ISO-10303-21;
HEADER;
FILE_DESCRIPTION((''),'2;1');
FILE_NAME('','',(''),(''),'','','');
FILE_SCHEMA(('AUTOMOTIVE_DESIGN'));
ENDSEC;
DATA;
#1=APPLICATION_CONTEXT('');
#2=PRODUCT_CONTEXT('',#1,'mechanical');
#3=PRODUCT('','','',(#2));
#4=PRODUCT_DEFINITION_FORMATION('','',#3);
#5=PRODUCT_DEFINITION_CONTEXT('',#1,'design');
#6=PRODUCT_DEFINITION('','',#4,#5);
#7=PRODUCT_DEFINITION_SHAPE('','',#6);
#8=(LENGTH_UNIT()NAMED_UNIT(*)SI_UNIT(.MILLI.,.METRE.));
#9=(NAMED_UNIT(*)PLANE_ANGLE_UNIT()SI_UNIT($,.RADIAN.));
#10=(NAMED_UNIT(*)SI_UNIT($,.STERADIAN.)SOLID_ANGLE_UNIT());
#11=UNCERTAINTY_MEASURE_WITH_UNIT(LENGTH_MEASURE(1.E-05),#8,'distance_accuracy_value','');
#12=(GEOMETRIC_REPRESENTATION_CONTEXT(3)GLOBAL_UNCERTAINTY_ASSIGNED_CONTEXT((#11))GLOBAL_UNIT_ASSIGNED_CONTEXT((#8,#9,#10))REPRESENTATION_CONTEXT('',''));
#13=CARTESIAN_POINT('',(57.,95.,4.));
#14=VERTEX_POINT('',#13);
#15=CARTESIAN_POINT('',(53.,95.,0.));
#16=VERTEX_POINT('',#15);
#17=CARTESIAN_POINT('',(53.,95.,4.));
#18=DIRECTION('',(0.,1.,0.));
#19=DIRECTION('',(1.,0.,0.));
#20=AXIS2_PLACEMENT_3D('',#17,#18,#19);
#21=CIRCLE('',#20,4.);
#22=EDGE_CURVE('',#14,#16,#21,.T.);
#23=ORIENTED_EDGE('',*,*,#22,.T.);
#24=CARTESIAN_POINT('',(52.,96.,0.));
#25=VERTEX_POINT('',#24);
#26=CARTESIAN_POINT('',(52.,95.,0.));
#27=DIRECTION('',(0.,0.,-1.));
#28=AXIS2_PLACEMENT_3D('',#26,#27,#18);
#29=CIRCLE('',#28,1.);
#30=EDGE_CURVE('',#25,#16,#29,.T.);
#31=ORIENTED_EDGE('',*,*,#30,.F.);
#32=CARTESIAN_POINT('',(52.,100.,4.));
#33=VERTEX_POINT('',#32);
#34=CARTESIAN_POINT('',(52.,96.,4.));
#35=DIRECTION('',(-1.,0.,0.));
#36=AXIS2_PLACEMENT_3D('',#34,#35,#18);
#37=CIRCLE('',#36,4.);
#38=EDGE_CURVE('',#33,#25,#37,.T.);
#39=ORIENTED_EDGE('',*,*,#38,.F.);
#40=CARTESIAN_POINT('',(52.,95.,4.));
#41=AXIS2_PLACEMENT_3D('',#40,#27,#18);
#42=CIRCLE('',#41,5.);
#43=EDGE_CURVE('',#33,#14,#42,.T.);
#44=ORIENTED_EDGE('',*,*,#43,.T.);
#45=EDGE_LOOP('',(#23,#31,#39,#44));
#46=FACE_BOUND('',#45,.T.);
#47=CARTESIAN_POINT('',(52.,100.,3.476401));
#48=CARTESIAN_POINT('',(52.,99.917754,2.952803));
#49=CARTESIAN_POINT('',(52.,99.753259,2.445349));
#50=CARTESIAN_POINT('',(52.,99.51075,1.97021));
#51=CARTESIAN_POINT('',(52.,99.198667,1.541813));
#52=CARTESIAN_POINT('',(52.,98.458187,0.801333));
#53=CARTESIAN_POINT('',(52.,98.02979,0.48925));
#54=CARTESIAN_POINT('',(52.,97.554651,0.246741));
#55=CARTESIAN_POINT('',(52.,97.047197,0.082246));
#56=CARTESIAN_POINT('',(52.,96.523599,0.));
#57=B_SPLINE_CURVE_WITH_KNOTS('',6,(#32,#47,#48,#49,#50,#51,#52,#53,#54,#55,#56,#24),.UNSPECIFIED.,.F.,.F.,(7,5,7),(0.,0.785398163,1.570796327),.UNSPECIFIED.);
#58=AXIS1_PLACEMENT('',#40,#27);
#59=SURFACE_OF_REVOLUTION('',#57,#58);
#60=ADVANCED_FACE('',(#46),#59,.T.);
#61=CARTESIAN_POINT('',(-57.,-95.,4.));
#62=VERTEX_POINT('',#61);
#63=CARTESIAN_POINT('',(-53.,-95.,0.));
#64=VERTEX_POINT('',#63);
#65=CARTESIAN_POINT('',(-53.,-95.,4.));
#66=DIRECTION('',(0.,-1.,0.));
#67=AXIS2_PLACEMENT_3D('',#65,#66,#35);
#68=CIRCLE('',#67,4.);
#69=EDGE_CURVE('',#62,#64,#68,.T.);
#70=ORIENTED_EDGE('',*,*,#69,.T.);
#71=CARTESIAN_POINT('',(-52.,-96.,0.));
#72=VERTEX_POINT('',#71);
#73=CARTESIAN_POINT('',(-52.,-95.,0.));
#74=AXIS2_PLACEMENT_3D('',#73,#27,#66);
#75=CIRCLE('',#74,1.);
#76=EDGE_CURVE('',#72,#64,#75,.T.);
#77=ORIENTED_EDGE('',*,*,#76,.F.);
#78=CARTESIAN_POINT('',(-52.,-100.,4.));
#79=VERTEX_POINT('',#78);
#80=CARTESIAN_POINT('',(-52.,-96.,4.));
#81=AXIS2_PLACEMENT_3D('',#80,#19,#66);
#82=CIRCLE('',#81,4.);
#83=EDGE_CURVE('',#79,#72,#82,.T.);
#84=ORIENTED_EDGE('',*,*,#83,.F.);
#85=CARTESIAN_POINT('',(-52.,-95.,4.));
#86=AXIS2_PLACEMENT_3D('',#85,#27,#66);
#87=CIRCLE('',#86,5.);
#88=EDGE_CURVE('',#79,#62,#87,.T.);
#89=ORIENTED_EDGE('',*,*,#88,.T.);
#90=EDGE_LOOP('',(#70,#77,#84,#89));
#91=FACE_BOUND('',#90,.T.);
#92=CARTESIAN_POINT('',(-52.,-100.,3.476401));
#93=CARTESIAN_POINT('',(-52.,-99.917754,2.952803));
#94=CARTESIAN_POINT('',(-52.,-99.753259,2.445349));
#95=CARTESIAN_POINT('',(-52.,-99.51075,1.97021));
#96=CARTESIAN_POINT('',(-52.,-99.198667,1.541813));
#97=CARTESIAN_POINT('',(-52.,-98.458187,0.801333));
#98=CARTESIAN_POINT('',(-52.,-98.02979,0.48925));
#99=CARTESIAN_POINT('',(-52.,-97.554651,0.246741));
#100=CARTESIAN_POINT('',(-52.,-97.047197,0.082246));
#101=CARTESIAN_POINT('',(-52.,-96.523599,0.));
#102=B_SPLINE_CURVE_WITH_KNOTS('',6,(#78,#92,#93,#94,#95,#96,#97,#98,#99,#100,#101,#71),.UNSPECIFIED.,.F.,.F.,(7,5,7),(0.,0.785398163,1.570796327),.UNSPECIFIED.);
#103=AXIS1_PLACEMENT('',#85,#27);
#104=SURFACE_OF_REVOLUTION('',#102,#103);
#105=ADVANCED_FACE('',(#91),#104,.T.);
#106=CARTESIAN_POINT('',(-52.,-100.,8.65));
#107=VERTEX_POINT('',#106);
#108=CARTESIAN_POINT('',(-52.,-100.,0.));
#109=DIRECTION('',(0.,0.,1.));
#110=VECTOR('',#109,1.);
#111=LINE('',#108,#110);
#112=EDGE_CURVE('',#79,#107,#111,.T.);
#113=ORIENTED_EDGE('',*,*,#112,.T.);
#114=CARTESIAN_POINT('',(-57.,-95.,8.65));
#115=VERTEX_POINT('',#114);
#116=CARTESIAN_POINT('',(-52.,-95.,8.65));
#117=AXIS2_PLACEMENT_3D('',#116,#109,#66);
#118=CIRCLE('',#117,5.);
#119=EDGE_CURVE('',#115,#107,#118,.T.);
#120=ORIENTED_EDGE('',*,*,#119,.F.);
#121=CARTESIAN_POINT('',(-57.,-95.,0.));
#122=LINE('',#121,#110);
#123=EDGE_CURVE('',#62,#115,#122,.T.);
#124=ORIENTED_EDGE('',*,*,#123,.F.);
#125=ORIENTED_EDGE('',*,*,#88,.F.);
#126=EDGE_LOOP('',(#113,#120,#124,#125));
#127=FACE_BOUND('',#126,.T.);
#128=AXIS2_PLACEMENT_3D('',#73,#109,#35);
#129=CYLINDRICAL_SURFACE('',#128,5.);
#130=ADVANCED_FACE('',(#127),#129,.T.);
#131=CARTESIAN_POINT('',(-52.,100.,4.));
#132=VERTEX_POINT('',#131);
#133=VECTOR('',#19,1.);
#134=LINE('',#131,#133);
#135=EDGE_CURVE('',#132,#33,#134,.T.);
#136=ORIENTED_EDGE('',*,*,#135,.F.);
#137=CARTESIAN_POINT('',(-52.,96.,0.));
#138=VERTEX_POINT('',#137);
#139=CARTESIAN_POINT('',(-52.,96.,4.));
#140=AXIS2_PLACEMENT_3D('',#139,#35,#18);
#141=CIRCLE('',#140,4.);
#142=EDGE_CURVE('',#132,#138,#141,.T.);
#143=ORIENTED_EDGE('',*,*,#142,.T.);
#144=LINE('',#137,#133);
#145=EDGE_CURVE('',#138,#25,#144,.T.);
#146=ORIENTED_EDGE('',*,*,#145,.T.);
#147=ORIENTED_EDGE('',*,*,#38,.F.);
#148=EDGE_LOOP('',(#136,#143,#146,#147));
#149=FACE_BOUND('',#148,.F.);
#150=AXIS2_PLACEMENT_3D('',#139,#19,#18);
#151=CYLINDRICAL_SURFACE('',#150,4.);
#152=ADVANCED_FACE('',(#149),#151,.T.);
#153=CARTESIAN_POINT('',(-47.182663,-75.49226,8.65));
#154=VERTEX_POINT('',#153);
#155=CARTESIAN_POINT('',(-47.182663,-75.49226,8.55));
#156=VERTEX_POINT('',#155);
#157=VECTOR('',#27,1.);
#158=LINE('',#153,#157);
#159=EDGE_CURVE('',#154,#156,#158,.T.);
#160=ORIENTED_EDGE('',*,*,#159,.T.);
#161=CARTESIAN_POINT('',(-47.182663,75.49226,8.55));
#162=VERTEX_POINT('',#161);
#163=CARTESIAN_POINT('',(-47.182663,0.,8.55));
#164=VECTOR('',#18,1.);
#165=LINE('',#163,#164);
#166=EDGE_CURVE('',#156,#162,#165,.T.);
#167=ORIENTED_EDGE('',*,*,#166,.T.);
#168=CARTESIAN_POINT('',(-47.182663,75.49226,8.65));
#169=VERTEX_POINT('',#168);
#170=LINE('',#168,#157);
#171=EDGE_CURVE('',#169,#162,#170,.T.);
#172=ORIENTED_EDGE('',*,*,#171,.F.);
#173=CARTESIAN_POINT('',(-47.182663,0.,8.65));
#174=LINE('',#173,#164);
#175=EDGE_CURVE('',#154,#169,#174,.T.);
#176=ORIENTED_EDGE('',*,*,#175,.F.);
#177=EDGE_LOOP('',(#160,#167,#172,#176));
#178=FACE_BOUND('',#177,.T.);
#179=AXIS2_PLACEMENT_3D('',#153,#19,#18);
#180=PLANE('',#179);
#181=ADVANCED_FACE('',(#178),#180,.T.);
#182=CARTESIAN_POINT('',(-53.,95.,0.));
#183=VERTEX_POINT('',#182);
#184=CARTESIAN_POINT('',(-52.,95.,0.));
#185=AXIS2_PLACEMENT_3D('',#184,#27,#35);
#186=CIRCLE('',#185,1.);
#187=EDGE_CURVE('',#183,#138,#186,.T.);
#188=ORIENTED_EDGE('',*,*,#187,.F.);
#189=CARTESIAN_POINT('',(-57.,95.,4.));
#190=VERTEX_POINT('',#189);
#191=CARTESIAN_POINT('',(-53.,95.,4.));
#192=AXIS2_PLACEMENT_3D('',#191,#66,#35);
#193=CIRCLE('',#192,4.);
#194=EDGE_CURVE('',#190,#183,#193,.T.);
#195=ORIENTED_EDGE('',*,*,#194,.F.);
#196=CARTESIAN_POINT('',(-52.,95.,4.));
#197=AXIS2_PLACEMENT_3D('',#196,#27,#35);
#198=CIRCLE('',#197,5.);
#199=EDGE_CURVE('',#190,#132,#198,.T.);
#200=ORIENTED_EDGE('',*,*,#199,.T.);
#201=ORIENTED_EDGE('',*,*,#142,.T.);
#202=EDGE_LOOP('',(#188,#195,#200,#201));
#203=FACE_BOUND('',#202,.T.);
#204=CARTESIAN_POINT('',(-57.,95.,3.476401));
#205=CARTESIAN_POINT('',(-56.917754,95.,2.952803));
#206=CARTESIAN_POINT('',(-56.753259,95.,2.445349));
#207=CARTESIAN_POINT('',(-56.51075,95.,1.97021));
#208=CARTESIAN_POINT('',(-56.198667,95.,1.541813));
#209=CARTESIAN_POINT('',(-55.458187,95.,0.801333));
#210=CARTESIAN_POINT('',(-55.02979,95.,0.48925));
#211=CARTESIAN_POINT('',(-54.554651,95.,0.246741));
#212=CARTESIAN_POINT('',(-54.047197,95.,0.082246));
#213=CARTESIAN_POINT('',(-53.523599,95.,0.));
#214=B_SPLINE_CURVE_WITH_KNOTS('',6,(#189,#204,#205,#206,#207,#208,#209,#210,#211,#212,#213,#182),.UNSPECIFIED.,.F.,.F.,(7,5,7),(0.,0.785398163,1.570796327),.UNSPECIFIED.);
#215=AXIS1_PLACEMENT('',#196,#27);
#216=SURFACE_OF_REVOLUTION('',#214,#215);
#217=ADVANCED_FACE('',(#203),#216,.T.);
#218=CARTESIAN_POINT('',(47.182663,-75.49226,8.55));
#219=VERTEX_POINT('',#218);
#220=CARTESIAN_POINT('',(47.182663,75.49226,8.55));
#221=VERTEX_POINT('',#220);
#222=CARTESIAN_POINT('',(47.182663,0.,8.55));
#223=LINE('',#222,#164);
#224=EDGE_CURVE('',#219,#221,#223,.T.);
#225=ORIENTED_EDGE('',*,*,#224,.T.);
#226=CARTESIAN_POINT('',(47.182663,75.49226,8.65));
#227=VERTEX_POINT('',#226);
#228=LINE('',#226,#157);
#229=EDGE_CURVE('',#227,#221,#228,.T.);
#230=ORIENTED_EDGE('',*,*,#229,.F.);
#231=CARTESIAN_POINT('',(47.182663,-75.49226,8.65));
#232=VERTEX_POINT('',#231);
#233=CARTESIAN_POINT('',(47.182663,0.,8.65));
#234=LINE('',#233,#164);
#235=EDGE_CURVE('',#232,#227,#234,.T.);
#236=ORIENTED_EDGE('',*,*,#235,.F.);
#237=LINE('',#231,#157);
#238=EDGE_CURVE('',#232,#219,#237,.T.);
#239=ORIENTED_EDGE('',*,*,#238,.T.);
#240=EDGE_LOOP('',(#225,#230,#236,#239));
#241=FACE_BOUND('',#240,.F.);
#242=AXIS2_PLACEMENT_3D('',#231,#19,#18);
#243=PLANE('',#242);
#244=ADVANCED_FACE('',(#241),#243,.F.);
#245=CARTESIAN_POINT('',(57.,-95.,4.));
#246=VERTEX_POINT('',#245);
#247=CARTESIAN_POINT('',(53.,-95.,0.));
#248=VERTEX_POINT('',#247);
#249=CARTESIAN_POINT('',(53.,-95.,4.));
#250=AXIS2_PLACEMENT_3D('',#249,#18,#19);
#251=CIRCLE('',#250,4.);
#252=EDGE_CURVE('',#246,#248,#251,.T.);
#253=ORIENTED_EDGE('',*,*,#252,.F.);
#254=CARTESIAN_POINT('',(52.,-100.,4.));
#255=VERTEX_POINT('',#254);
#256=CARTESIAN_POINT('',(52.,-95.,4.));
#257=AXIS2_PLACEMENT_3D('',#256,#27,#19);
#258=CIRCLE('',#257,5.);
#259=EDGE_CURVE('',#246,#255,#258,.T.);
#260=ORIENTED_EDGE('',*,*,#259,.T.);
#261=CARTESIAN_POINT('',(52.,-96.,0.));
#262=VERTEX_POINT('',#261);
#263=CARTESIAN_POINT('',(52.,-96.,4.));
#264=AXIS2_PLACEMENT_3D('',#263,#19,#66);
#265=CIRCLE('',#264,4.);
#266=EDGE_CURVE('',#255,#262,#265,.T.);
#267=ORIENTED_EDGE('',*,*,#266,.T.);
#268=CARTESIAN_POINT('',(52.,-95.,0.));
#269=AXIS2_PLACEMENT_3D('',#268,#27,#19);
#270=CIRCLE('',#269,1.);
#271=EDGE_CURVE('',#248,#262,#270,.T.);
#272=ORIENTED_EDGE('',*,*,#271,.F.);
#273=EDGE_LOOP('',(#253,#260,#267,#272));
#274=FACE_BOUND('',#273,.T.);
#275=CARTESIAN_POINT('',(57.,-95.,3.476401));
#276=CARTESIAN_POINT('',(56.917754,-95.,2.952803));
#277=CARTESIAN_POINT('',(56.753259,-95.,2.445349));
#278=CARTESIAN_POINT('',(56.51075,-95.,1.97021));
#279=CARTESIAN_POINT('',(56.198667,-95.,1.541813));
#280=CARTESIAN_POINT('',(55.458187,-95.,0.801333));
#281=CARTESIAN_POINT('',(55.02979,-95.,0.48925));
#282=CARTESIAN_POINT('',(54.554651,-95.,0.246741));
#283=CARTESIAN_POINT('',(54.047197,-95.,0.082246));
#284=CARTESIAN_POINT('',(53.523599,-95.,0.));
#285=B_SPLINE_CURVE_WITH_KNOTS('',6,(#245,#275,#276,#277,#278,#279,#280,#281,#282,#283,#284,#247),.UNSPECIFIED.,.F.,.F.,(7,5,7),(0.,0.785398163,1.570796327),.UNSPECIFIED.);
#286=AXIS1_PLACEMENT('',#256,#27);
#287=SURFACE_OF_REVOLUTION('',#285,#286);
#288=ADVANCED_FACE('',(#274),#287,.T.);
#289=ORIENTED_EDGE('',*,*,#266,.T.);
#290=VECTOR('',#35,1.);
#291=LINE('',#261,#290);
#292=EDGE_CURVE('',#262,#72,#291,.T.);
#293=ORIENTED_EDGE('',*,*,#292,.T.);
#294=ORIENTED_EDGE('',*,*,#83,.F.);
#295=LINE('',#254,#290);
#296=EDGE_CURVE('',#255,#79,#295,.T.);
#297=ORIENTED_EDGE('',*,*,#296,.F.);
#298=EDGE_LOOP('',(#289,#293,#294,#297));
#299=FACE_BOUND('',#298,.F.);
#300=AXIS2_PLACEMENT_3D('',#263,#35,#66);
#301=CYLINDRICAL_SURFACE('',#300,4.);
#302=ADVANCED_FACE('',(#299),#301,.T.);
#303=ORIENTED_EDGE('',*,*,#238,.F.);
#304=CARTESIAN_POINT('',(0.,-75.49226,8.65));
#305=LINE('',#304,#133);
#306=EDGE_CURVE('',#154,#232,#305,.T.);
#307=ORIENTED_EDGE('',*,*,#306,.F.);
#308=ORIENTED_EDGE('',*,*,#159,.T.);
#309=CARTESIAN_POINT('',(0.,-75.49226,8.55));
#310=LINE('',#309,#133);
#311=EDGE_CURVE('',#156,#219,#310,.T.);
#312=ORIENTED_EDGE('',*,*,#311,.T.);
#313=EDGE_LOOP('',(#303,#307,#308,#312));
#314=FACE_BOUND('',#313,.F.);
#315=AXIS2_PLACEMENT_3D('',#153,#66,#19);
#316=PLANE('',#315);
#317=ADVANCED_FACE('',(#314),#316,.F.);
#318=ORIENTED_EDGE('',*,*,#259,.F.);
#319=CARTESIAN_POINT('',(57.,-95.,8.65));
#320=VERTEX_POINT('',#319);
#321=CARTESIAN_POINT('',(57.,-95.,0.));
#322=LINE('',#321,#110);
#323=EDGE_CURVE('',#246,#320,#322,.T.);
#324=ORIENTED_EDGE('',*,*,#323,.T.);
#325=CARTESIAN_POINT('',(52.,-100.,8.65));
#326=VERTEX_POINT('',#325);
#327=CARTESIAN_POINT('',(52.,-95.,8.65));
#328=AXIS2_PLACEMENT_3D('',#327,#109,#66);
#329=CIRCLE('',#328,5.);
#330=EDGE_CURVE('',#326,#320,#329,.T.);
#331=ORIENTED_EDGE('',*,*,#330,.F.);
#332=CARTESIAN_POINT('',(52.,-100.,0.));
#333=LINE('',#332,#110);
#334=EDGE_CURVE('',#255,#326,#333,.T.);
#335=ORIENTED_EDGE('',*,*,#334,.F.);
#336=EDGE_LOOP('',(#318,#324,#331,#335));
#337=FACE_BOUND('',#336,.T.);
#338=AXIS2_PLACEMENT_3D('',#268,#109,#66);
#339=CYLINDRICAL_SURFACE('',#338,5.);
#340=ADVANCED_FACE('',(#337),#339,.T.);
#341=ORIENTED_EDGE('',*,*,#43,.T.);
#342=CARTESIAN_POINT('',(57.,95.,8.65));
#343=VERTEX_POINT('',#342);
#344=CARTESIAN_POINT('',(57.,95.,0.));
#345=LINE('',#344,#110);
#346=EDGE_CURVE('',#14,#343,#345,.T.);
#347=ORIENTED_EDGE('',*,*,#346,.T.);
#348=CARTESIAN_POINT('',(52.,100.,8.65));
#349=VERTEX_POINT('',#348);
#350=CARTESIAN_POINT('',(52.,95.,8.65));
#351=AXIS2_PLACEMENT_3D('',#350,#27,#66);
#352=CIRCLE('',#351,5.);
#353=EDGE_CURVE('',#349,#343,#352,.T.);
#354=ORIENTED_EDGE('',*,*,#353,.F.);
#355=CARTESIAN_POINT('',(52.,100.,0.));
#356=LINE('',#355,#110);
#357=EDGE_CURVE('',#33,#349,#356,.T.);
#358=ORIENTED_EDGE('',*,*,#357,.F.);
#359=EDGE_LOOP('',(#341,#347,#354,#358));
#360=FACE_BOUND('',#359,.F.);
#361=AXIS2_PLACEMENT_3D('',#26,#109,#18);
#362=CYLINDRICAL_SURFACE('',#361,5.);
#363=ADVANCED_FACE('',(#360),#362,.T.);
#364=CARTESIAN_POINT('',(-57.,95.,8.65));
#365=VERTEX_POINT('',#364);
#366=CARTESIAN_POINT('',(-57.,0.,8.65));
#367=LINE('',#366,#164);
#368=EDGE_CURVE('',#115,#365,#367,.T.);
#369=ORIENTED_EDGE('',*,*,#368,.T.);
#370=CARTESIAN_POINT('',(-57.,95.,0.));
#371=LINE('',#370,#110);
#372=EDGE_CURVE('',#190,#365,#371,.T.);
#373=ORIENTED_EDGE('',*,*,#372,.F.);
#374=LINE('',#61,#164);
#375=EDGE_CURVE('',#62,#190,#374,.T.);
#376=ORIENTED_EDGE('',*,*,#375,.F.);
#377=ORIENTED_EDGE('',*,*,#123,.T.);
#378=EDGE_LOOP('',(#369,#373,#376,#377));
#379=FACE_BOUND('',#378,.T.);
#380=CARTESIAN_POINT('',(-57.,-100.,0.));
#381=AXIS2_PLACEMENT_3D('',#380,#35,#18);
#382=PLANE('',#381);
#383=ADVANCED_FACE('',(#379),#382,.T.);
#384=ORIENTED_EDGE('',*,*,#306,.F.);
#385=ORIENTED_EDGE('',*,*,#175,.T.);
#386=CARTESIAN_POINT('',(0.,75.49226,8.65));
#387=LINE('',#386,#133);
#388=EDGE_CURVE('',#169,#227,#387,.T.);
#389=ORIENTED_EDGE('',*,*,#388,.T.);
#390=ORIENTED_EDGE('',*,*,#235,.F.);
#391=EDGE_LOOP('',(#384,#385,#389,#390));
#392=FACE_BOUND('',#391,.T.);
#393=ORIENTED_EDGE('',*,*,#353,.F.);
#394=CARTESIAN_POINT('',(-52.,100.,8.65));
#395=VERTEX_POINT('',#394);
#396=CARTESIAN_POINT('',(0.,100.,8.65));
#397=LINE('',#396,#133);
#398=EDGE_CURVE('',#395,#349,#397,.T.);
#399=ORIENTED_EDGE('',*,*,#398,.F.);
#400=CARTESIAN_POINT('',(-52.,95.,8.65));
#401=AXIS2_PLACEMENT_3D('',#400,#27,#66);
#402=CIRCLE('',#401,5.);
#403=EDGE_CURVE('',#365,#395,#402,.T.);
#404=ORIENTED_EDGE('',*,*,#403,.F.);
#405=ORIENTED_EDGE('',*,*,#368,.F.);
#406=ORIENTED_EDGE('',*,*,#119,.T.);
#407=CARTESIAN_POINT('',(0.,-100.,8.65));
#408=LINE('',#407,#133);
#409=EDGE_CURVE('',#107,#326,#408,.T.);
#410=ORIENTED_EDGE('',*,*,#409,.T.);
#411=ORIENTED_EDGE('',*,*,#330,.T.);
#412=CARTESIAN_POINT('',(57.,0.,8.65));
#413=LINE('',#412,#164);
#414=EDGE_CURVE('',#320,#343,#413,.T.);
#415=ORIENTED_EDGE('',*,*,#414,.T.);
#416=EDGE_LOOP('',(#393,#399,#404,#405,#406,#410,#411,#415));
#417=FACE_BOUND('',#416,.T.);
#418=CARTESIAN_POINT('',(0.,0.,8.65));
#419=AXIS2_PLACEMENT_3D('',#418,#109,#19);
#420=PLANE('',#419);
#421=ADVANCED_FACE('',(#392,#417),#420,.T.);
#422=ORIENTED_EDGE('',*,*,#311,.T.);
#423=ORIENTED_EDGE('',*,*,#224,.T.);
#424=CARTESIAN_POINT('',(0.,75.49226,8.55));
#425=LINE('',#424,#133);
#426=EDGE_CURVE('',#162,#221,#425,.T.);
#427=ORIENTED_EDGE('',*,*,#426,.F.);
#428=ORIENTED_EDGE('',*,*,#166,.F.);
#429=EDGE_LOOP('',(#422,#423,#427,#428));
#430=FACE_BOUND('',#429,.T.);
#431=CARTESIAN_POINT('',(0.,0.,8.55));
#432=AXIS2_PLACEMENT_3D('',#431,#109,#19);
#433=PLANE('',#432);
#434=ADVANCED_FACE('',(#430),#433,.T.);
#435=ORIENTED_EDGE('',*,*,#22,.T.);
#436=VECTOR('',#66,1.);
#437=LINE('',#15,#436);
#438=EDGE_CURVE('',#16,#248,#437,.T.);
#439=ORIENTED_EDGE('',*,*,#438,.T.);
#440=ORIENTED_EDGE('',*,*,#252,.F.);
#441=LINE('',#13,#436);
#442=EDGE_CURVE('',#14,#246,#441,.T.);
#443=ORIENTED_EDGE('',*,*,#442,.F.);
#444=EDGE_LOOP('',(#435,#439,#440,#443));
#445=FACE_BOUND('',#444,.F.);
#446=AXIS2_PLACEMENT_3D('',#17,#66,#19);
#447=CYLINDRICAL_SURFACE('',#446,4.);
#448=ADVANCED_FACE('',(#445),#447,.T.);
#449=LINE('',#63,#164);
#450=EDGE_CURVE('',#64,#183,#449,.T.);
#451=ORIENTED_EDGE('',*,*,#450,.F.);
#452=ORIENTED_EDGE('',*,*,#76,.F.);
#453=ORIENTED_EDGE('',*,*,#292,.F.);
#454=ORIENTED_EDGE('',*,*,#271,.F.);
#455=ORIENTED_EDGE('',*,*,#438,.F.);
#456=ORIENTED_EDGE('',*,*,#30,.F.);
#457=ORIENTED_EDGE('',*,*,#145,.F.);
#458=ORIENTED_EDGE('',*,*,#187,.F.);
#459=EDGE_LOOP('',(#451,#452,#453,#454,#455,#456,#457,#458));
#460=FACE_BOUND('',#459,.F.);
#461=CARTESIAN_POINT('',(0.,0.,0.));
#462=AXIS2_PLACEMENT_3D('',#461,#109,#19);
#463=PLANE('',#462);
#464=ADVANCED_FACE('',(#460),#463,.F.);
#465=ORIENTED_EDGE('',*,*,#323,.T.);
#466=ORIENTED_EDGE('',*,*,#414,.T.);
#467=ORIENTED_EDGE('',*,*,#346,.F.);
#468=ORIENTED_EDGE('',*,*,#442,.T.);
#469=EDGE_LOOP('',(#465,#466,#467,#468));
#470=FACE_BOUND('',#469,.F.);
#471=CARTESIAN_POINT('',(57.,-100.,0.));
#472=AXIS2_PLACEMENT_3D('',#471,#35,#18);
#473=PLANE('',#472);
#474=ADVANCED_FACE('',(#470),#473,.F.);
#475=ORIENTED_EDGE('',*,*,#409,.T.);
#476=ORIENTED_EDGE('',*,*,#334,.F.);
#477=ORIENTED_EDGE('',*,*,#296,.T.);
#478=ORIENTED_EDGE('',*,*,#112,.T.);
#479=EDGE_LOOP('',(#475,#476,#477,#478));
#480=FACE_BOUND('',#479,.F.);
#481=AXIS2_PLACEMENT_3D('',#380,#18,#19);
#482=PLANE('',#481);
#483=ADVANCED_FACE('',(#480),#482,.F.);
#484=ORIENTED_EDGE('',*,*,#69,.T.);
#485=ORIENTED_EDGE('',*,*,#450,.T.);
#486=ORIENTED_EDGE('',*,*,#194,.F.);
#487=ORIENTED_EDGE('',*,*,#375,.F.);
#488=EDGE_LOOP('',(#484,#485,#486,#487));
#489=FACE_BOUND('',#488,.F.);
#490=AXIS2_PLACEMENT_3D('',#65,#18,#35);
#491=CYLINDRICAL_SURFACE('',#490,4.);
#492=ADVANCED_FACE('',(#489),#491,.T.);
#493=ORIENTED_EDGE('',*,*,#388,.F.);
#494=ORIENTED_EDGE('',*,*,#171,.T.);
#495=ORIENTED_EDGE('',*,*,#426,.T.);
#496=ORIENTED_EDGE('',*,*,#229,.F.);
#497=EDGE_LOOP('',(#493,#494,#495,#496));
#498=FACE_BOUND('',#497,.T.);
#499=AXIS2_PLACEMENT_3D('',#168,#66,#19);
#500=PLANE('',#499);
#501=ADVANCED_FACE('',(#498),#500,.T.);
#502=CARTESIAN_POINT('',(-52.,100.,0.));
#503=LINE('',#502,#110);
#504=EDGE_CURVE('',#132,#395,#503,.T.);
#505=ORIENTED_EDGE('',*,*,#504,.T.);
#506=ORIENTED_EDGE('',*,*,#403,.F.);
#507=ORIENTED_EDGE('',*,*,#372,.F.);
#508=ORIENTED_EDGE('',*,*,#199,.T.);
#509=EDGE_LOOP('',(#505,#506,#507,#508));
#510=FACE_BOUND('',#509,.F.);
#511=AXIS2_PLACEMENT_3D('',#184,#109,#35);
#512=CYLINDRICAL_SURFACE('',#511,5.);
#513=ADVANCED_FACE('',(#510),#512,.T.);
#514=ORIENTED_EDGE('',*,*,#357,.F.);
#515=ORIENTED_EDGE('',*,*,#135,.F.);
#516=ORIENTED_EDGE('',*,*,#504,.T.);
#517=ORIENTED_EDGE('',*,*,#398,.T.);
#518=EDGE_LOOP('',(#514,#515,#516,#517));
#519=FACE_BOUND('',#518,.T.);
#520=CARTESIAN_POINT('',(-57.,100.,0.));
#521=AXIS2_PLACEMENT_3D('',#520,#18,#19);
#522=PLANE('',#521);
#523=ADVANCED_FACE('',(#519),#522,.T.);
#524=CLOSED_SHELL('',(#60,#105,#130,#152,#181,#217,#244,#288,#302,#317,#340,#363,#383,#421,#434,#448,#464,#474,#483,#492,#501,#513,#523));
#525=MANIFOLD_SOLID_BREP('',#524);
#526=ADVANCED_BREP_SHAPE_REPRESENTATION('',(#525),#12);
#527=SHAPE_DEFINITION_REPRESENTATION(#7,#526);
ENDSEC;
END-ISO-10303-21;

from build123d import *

# Parameters (mm, degrees)
F1_W     = 114
F1_H     = 200
F2_DEPTH = 8.65
F3_W     = 94.3653250774
F3_H     = 150.9845201238
F4_DEPTH = 0.1
F5_R     = 5
F6_R     = 4


with BuildPart() as f2:
    # F1 (on Top) → F2 (new body)
    with BuildSketch(Plane.XY):
        Rectangle(F1_W, F1_H)
    extrude(amount=F2_DEPTH)

    # F3 (on face) → F4 (cut)
    with BuildSketch(Plane.XY.offset(8.65)):
        Rectangle(F3_W, F3_H)
    extrude(amount=-F4_DEPTH, mode=Mode.SUBTRACT)

    # F5
    f5_edges = [f2.edges().sort_by_distance(p)[0] for p in [
        (-57, -100, 4.325),
        (57, -100, 4.325),
        (-57, 100, 4.325),
        (57, 100, 4.325),
    ]]
    fillet(f5_edges, radius=F5_R)

    # F6
    f6_edges = [f2.edges().sort_by_distance(p)[0] for p in [
        (-57, 0, 0),
    ]]
    fillet(f6_edges, radius=F6_R)


solid = f2.part
